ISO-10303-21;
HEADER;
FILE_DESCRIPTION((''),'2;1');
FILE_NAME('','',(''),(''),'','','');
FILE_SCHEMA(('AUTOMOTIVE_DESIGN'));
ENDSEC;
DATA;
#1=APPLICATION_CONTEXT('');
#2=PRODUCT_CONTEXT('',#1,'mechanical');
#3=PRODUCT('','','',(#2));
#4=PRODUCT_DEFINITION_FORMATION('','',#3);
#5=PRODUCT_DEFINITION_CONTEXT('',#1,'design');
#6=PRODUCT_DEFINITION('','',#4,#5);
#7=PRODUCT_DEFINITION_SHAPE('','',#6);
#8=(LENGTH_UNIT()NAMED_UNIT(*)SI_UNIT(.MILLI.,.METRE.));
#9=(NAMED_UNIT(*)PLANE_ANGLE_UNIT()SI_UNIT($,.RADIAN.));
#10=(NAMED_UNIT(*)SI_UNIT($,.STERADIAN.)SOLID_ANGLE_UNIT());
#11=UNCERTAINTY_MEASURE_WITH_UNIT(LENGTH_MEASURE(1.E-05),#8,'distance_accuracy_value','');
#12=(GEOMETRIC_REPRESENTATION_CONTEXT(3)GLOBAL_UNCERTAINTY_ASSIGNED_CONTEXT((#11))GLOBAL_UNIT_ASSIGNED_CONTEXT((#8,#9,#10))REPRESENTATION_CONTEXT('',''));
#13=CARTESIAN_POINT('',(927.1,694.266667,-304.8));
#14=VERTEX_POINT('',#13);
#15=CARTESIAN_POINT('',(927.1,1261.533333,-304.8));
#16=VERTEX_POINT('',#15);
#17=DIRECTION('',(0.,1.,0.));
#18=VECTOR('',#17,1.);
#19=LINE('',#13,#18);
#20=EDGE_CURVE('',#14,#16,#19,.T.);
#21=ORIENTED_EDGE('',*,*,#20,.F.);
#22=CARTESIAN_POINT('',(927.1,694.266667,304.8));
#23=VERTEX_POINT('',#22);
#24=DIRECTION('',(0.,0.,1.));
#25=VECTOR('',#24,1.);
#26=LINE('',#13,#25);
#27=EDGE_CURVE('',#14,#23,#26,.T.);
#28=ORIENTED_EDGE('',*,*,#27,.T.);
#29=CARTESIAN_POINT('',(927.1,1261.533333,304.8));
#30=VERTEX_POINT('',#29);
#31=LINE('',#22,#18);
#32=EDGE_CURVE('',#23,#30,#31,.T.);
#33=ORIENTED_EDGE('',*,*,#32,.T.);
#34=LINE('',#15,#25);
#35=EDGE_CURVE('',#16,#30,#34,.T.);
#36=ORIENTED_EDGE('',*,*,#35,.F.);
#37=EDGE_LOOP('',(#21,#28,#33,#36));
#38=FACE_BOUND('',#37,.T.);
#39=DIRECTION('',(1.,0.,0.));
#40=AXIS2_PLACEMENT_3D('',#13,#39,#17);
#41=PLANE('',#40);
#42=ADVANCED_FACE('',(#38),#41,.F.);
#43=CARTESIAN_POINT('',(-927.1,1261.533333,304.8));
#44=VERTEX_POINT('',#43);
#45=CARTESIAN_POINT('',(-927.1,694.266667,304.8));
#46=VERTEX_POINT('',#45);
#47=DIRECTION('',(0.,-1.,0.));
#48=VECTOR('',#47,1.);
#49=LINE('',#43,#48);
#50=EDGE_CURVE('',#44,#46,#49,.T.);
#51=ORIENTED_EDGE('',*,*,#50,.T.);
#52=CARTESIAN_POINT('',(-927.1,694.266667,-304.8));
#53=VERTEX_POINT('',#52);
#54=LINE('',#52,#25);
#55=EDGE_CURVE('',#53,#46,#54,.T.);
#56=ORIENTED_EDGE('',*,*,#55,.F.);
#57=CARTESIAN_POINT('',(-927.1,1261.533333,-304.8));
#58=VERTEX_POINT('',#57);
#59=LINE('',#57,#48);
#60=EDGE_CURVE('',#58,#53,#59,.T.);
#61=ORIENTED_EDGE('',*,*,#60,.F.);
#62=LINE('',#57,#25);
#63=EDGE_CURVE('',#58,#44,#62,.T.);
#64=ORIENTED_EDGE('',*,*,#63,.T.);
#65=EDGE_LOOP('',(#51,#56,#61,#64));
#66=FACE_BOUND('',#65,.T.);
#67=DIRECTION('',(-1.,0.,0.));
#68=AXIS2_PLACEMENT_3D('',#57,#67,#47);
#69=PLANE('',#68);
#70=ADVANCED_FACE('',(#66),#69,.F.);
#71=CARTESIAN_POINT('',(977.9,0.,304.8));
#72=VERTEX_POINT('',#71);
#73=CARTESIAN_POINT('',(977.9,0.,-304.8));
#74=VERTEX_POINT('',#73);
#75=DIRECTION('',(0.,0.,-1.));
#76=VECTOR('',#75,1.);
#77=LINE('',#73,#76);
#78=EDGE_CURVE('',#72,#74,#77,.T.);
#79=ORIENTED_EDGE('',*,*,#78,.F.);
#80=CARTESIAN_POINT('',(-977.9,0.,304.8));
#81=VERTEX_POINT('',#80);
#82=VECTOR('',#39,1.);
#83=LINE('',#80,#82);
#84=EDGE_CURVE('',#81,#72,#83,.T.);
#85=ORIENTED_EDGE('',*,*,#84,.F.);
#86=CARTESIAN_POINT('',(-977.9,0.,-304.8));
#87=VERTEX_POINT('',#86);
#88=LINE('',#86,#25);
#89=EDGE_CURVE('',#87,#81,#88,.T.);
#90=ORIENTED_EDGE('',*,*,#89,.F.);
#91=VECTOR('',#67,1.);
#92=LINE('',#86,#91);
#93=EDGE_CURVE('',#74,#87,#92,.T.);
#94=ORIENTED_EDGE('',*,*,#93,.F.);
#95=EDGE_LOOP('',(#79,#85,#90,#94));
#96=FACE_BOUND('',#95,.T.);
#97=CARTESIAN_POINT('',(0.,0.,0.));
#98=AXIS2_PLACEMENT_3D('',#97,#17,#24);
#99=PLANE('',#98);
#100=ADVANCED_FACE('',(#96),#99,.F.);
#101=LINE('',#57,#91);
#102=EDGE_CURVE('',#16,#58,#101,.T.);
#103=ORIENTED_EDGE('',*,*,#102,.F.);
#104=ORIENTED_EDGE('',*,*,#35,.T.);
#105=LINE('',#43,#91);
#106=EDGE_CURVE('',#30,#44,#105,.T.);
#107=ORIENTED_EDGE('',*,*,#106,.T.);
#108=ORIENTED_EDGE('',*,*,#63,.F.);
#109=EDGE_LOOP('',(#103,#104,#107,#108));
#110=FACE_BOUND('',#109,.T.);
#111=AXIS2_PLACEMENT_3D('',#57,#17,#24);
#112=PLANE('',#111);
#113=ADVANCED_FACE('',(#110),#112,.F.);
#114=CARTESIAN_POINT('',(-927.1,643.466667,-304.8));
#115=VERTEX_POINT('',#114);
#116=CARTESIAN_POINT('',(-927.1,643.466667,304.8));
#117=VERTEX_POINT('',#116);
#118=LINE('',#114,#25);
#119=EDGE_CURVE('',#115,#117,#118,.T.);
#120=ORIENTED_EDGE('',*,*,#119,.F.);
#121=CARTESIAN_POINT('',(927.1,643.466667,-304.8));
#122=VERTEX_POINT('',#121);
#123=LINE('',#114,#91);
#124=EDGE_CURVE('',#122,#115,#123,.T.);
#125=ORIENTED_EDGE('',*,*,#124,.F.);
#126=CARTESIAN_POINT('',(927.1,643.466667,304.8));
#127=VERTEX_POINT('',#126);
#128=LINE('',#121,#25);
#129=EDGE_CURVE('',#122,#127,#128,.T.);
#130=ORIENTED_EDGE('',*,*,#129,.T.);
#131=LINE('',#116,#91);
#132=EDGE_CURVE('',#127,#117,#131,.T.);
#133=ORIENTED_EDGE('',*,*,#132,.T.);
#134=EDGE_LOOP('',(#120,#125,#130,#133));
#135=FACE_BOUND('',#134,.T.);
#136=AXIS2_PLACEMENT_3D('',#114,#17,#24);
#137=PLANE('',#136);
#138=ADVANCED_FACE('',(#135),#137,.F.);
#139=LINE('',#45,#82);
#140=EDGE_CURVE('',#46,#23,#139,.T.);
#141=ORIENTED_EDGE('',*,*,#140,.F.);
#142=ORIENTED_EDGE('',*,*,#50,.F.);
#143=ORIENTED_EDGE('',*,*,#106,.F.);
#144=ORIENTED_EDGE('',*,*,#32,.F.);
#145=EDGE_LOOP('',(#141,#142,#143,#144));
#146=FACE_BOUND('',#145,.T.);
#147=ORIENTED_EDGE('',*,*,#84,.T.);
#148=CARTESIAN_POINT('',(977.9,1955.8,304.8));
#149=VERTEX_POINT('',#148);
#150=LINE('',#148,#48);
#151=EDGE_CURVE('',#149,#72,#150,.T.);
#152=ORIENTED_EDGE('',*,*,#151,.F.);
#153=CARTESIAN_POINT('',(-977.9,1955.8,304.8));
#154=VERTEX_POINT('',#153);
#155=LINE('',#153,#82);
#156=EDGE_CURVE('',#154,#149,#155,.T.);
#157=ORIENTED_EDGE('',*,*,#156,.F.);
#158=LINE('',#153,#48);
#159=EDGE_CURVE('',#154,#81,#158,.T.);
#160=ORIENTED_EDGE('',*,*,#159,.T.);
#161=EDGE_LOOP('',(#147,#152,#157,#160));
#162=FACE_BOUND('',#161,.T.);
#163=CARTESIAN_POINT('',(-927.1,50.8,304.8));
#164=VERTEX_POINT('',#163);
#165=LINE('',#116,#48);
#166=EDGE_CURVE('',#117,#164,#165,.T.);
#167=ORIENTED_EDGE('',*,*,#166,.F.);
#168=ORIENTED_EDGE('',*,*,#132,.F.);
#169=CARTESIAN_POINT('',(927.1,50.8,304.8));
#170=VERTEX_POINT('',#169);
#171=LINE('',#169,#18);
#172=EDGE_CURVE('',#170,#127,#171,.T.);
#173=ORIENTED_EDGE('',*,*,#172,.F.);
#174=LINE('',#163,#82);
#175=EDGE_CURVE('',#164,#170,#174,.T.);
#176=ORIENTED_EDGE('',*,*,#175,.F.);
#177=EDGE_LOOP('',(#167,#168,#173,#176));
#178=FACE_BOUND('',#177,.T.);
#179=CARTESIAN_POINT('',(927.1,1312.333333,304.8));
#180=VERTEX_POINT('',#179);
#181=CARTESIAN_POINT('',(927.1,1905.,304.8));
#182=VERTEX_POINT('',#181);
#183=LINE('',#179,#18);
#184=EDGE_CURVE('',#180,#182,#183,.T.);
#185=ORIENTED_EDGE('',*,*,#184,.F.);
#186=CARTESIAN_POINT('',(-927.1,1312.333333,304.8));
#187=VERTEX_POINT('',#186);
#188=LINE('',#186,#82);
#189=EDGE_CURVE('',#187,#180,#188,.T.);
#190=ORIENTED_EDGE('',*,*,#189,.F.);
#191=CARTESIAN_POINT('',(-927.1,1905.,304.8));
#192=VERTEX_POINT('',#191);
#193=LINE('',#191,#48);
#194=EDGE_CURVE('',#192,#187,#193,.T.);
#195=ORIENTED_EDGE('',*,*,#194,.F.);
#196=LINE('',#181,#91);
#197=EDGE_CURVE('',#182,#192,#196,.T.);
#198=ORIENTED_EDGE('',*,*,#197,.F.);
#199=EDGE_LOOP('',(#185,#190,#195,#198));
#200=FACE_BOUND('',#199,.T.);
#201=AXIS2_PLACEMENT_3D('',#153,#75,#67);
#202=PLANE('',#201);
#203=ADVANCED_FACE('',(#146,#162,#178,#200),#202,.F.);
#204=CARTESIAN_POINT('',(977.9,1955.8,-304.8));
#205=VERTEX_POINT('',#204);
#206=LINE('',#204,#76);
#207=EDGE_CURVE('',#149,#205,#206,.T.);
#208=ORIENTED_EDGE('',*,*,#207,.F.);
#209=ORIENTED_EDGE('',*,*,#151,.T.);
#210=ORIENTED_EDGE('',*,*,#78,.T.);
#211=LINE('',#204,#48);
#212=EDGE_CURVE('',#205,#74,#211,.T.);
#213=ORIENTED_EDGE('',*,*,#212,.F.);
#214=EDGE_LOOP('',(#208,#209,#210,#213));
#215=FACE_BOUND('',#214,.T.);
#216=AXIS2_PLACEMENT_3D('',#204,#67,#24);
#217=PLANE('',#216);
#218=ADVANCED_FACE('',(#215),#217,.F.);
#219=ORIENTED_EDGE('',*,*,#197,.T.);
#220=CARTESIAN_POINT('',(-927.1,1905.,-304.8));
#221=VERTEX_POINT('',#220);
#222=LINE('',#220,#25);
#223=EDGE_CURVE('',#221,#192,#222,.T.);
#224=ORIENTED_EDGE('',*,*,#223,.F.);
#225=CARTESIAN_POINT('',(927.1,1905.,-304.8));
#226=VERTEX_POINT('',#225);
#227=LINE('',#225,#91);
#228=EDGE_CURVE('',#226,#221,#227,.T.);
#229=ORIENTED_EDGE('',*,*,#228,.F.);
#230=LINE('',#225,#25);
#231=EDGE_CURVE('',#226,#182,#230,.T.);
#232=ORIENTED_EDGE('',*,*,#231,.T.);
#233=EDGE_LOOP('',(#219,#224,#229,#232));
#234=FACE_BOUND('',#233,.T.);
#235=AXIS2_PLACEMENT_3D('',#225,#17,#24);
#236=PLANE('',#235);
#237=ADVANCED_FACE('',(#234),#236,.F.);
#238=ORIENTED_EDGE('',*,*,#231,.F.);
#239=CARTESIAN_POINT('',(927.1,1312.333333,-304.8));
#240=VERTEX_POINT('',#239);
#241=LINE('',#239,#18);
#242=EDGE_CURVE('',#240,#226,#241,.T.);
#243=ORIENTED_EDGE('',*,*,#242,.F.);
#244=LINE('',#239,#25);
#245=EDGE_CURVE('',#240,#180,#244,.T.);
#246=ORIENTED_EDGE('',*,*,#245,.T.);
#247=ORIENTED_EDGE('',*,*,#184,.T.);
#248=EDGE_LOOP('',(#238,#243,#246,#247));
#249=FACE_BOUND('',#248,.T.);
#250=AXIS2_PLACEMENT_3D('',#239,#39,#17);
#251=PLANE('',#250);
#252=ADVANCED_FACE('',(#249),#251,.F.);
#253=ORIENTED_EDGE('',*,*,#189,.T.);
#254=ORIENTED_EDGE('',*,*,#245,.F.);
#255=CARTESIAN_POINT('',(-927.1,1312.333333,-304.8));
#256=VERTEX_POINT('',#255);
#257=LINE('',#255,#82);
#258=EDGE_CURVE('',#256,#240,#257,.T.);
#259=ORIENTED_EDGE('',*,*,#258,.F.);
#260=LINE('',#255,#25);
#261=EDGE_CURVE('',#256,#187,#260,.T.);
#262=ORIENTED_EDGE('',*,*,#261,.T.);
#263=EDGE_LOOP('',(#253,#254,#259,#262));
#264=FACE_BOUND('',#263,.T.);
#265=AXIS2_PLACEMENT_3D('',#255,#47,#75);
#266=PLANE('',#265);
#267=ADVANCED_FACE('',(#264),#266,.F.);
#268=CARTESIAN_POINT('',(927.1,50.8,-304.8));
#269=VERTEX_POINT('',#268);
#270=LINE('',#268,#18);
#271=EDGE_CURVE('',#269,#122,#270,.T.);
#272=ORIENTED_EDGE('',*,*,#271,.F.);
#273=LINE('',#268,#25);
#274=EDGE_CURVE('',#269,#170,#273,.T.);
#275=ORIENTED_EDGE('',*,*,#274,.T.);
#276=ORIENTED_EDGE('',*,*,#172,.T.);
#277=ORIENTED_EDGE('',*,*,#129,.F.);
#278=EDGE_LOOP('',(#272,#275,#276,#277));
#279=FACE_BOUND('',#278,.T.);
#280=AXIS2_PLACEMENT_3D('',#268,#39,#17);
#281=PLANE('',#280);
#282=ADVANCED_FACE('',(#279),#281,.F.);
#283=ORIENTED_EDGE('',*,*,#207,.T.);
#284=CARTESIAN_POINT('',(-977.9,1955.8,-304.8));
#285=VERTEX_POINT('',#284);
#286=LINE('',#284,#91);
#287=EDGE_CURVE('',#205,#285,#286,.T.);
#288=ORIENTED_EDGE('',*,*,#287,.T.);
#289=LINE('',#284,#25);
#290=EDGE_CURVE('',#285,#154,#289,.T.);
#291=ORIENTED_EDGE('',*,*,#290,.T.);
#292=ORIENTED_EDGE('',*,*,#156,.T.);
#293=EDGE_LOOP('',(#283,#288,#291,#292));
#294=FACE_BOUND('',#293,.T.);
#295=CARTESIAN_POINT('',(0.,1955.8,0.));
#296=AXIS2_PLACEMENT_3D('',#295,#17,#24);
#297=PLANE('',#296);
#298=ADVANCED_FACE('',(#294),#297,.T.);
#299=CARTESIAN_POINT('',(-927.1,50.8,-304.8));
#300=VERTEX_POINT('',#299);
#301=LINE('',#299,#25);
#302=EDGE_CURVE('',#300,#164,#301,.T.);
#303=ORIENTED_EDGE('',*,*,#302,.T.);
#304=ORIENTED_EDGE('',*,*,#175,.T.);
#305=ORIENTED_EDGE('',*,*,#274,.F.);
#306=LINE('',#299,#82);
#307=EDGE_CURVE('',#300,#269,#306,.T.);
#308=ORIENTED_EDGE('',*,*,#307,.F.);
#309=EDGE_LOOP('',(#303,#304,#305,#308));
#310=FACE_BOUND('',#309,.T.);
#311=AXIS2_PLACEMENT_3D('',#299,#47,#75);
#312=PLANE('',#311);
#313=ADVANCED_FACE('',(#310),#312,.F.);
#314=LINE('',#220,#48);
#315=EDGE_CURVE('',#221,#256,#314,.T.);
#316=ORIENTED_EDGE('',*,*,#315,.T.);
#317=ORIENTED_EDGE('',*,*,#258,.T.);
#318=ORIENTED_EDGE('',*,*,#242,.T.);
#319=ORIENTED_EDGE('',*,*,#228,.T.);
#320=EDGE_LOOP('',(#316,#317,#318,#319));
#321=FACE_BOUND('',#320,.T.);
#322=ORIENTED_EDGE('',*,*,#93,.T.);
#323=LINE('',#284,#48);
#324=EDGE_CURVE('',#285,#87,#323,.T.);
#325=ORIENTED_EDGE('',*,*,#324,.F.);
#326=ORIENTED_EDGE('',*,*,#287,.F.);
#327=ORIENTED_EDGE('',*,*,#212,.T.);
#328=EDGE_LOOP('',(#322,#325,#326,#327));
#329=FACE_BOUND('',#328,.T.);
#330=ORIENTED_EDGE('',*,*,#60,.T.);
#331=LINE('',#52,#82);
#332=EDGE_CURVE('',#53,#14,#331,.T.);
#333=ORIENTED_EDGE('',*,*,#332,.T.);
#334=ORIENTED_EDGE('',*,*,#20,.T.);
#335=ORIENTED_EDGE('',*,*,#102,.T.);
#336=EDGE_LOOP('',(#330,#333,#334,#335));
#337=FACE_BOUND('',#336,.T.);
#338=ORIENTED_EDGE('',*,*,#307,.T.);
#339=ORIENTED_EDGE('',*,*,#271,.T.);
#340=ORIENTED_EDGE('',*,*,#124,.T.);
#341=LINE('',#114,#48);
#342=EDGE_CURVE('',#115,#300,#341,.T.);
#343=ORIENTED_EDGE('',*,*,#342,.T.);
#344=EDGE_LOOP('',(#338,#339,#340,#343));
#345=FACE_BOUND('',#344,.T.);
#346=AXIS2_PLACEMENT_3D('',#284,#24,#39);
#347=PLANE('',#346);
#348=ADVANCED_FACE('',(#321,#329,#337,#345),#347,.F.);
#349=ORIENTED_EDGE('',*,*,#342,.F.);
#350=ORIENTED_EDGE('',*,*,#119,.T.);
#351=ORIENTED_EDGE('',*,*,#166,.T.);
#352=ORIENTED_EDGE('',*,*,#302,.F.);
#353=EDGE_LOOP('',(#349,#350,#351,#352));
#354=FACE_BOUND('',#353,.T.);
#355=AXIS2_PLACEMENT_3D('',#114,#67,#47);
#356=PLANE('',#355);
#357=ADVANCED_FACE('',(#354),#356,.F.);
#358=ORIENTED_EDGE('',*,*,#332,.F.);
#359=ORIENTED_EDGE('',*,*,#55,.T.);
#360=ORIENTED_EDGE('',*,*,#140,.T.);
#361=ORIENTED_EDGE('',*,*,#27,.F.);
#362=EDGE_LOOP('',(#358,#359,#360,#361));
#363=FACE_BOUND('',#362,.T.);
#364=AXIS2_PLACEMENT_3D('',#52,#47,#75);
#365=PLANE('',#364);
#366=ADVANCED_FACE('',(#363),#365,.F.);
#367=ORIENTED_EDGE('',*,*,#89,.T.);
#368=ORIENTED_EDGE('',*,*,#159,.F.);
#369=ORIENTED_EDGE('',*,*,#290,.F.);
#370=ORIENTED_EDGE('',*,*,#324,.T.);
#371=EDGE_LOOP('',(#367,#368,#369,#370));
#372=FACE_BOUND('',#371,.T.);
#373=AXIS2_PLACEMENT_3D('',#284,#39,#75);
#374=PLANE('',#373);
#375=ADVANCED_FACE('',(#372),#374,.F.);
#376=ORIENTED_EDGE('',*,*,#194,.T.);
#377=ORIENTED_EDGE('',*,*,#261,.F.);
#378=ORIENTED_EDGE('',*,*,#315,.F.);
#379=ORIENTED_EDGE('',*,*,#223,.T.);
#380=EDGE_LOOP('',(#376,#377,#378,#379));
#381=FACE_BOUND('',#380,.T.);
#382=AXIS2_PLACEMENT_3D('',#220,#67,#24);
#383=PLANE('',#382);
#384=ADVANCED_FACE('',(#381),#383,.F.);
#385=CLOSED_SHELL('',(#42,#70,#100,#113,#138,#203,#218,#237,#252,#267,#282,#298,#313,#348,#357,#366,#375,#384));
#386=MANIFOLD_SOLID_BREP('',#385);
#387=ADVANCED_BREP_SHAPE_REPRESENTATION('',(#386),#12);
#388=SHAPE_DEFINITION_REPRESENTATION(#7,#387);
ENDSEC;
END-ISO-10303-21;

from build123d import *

# Parameters (mm, degrees)
SKETCH1_W           = 1955.8
SKETCH1_H           = 609.6
BOSS_EXTRUDE1_DEPTH = 1955.8
SKETCH2_W           = 1854.2
SKETCH2_H           = 592.666666667
SKETCH2_H_2         = 567.266666666
CUT_EXTRUDE1_DEPTH  = 2271.033966706


with BuildPart() as part:
    # Sketch1 → Boss-Extrude1 (new body)
    with BuildSketch(Plane(origin=(0, 0, 0), x_dir=(1, 0, 0), z_dir=(0, 1, 0))):
        Rectangle(SKETCH1_W, SKETCH1_H)
    extrude(amount=BOSS_EXTRUDE1_DEPTH)

    # Sketch2 → Cut-Extrude1 (cut, through all)
    with BuildSketch(Plane.XY.offset(304.8)):
        with Locations((0, 347.133333333)):
            Rectangle(SKETCH2_W, SKETCH2_H)
        with Locations((0, 1608.666666667)):
            Rectangle(SKETCH2_W, SKETCH2_H)
        with Locations((0, 977.9)):
            Rectangle(SKETCH2_W, SKETCH2_H_2)
    extrude(amount=-CUT_EXTRUDE1_DEPTH, mode=Mode.SUBTRACT)


solid = part.part
